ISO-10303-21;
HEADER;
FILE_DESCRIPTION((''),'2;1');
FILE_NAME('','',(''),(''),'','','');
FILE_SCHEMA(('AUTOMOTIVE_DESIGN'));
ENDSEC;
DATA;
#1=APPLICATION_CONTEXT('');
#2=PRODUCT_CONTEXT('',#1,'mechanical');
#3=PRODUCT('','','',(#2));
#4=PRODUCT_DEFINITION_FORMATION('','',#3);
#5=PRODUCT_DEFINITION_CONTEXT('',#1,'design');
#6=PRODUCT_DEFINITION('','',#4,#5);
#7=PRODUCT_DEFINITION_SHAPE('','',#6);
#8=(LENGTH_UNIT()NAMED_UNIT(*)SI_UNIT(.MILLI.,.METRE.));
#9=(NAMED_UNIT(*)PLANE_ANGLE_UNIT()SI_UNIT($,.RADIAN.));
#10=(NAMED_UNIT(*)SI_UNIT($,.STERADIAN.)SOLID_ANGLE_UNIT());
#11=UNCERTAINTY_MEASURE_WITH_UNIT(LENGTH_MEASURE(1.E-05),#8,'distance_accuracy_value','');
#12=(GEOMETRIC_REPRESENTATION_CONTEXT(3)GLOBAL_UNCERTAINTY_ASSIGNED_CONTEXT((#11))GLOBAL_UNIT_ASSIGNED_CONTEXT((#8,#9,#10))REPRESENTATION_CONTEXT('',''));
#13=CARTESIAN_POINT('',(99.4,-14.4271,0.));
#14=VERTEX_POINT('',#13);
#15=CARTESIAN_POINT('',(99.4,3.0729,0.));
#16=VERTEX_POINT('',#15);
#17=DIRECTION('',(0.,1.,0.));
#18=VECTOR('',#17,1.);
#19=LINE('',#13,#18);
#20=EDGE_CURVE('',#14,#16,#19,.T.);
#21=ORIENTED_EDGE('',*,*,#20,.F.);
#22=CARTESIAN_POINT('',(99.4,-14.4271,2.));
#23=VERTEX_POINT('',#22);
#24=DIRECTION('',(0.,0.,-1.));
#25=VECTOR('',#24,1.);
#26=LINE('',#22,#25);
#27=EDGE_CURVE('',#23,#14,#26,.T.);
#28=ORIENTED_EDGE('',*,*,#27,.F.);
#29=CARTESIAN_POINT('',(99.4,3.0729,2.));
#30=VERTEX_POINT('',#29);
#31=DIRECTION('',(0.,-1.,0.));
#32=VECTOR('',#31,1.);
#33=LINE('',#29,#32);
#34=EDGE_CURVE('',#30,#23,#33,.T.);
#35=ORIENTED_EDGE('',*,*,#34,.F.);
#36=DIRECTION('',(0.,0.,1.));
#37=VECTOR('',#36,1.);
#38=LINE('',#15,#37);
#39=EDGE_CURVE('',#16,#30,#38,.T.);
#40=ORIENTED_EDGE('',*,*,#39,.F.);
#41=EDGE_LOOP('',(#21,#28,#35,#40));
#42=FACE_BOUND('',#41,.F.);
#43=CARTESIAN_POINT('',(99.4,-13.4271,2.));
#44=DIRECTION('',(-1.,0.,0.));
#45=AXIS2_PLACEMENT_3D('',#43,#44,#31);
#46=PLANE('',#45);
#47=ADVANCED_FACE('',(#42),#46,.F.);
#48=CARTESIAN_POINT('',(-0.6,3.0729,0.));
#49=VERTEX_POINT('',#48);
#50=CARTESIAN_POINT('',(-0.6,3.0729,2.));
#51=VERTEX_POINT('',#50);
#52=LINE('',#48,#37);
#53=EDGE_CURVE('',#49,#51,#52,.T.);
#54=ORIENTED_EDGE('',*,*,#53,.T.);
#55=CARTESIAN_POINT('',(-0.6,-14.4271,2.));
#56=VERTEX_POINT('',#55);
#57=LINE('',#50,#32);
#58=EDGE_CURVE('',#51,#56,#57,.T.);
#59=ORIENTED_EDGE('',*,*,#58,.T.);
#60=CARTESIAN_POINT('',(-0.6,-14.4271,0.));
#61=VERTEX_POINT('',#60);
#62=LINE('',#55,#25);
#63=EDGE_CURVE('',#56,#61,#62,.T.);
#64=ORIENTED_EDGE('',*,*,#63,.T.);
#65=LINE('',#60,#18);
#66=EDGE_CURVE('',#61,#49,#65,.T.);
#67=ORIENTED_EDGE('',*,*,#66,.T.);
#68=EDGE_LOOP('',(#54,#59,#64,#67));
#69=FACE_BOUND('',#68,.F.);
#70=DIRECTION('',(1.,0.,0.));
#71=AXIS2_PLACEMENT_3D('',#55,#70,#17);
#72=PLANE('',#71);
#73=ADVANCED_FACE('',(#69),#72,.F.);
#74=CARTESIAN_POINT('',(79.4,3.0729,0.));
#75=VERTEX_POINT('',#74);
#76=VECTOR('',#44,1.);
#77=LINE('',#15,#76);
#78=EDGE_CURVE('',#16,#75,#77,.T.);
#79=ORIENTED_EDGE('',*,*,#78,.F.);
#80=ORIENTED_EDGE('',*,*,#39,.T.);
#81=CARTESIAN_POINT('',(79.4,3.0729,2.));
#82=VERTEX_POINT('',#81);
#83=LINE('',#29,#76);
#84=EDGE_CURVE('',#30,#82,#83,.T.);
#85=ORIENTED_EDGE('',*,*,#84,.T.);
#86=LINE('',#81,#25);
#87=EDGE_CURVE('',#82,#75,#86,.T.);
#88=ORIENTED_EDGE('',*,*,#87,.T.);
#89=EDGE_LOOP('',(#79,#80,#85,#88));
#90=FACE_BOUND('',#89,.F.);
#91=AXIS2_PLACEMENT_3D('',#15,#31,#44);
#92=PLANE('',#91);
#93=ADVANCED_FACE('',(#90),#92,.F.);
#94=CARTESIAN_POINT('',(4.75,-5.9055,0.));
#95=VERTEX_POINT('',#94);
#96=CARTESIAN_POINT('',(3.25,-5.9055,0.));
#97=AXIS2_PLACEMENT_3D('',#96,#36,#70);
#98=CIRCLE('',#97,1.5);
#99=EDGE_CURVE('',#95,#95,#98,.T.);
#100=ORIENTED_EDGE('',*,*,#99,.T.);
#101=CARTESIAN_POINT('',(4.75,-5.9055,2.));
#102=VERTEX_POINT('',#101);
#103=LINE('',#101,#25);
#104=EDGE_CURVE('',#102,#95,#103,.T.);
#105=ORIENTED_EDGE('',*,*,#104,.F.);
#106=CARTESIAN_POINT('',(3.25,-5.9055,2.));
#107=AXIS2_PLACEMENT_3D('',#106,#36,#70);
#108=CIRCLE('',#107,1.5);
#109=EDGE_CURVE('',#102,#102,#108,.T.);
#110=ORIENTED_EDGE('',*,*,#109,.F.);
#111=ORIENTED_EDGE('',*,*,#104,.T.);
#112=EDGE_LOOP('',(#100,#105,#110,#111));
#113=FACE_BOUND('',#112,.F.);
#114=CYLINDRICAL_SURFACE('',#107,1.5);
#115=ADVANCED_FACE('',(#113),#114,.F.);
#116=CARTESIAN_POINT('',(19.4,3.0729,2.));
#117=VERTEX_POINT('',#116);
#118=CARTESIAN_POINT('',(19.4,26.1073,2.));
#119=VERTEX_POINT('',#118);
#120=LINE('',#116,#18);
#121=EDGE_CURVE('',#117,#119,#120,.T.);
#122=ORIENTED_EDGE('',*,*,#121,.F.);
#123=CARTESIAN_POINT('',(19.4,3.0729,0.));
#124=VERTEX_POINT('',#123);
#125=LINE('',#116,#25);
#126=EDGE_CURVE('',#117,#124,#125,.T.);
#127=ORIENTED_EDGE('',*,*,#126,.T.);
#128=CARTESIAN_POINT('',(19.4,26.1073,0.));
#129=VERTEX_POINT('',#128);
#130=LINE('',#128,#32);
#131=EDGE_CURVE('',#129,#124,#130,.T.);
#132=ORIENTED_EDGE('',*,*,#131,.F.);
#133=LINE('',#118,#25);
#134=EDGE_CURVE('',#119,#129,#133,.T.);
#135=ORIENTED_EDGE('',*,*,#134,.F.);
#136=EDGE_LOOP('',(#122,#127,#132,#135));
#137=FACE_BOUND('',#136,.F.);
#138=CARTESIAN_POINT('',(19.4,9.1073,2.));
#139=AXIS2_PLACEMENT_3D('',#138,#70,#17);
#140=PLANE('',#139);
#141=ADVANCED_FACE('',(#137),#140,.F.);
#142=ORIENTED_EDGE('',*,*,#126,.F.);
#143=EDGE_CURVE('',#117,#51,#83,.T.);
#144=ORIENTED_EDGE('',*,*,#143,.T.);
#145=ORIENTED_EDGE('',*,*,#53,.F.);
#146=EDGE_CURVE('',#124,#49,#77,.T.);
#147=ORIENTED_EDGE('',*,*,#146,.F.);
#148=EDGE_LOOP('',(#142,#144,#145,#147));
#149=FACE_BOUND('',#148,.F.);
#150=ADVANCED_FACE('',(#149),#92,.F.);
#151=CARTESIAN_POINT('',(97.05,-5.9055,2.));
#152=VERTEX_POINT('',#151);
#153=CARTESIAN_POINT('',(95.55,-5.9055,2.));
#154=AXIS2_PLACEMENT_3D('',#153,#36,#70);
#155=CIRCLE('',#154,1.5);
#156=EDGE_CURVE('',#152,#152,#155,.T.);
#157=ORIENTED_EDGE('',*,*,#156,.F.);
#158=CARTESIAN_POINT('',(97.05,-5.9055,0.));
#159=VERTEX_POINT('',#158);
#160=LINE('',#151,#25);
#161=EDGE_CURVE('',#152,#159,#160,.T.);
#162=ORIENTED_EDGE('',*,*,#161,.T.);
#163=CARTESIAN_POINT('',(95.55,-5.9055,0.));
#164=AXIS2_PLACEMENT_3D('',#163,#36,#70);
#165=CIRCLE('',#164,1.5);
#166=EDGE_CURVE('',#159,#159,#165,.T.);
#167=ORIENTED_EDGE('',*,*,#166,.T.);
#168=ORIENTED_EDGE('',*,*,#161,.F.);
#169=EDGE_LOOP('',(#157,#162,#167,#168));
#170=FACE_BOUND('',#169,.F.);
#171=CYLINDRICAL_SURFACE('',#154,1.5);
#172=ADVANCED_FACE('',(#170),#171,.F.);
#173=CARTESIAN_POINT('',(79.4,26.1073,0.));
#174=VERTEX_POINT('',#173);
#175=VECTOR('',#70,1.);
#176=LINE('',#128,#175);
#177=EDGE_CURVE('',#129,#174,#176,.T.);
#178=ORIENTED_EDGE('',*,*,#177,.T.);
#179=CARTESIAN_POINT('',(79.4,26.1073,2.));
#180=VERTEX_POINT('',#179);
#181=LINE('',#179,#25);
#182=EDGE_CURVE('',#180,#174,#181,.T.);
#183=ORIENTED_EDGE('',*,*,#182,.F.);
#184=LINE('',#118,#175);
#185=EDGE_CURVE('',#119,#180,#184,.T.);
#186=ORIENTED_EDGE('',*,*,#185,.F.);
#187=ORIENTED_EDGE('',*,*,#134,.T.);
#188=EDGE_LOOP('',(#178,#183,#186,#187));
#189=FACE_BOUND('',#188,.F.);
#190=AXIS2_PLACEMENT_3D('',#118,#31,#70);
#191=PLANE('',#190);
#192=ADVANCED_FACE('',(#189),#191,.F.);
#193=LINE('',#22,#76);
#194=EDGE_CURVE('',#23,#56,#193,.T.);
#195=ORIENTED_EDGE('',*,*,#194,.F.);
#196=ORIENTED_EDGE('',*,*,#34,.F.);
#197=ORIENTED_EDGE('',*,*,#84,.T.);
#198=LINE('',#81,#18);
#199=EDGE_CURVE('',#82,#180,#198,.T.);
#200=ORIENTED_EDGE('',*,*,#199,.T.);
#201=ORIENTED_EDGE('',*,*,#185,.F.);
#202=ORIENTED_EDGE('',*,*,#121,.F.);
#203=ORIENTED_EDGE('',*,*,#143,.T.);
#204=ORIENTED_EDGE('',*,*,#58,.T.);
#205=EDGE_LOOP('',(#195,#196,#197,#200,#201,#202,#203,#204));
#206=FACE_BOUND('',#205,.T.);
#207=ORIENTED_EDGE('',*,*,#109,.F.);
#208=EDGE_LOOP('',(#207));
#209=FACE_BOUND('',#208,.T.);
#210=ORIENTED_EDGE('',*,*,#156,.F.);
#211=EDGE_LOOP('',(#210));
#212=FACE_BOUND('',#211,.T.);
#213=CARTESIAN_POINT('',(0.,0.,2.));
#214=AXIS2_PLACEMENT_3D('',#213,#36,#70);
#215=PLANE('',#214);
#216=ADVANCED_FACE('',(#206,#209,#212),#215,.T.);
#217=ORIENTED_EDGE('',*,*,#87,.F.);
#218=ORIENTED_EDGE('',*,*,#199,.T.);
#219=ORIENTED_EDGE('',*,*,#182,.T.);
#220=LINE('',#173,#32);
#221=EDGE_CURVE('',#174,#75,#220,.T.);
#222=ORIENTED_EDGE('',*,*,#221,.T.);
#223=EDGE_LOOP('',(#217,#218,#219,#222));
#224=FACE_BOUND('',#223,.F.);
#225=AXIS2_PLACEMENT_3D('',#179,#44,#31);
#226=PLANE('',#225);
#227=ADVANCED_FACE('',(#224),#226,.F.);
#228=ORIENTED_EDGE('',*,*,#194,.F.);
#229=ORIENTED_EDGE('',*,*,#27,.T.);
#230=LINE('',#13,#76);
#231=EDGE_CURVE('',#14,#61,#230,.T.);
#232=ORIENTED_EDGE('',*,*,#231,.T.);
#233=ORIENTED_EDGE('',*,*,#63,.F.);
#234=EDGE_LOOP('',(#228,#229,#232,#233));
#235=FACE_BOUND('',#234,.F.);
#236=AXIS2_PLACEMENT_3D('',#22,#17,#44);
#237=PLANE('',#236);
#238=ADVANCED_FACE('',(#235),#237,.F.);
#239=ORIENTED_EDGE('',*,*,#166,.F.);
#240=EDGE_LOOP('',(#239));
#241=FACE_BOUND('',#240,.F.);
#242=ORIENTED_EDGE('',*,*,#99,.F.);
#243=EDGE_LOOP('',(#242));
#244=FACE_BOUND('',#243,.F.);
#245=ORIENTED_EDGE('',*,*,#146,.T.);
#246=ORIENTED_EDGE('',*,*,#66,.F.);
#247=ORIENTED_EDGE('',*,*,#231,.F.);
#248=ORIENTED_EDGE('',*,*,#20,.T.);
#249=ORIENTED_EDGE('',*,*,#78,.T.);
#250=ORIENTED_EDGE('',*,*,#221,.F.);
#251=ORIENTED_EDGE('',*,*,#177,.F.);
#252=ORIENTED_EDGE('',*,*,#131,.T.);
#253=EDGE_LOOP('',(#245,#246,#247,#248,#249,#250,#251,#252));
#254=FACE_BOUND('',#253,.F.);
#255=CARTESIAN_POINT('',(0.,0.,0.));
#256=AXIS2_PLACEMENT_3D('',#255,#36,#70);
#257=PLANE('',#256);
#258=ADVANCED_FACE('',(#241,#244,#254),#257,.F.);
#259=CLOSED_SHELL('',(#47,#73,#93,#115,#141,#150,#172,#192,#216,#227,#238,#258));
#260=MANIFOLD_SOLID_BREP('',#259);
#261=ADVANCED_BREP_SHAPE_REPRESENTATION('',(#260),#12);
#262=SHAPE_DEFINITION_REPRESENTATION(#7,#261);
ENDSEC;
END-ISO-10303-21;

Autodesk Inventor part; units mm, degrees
ref_plane "YZ Plane" through (0, 0, 0) normal (1, 0, 0) x (0, 1, 0)
ref_plane "XZ Plane" through (0, 0, 0) normal (0, 1, 0) x (-1, 0, 0)
ref_plane "XY Plane" through (0, 0, 0) normal (0, 0, 1) x (1, 0, 0)
sketch "Szkic1" plane through (0, 0, 0) normal (0, 0, 1) x (1, 0, 0)
  line L0 (2.6774, 0.115) -> (-0.6, 0.115) projected
  spline S0 degree 3 poles (3.0833, -0.1968) (3.1541, -0.2257) (3.223, -0.256) (3.5835, -0.4251) (3.888, -0.6087) (4.4504, -1.0382) (4.7087, -1.2836) (5.1613, -1.7912) (5.3932, -2.1042) (5.7913, -2.77) (5.9577, -3.1227) (6.2121, -3.7972) (6.3223, -4.1828) (6.4663, -4.968) (6.5, -5.3675) (6.5, -5.7331) knots -1.428143 -1.428143 -1.428143 -1.428143 -1.406087 -1.406087 -1.308684 -1.308684 -1.211282 -1.211282 -1.104676 -1.104676 -0.99807 -0.99807 -0.888411 -0.888411 -0.778752 -0.778752 -0.778752 -0.778752 projected
  line L1 (6.5, -5.7331) -> (6.5, -13.1255) projected
  circle A0 centre (3.25, -5.9055) radius 1.5 projected
  line L2 (-0.6, 0) -> (-0.6, -13.1255) projected
  line L3 (-0.6, -13.4271) -> (99.4, -13.4271) projected
  line L4 (-0.6, -14.1019) -> (-0.6, -13.1255) projected
  line L5 (6.5, -14.1019) -> (6.5, -13.1255) projected
  line L6 (-0.6, -13.4271) -> (-0.6, -28.9827) projected
  line L7 (-0.6, -13.4271) -> (-0.6, -28.9827) projected
  line L8 (-0.6, -13.4271) -> (99.4, -13.4271)
  line L9 (99.4, -13.4271) -> (99.4, 3.0729)
  line L10 (99.4, 3.0729) -> (-0.6, 3.0729)
  line L11 (-0.6, 3.0729) -> (-0.6, -13.4271)
  point P0 (0, 0)
  dimension "d0" = 16.5
extrude "Wyciągnięcie proste1" add sketch "Szkic1" along normal blind 2 contours A0 | L11 L10 L9 L3 L4 L2
sketch "Szkic2" plane through (0, 0, 2) normal (0, 0, 1) x (1, 0, 0)
  line L0 (79.4, 9.1073) -> (19.4, 9.1073) projected
  line L1 (99.4, 3.0729) -> (-0.6, 3.0729) projected
  line L2 (79.4, 9.1073) -> (19.4, 9.1073)
  line L3 (19.4, 9.1073) -> (19.4, 3.0729)
  line L4 (19.4, 3.0729) -> (79.4, 3.0729)
  line L5 (79.4, 3.0729) -> (79.4, 9.1073)
  point P0 (0, 0)
extrude "Wyciągnięcie proste2" add sketch "Szkic2" against normal up to surface (2 mm away)
sketch "Szkic3" plane through (0, 0, 2) normal (0, 0, 1) x (1, 0, 0)
  line L0 (99.4, -13.4271) -> (99.4, 3.0729) projected
  line L1 (99.4, 3.0729) -> (79.4, 3.0729) projected
  line L2 (79.4, 3.0729) -> (79.4, 9.1073) projected
  line L3 (79.4, 9.1073) -> (19.4, 9.1073) projected
  line L4 (19.4, 9.1073) -> (19.4, 3.0729) projected
  line L5 (19.4, 3.0729) -> (-0.6, 3.0729) projected
  line L6 (-0.6, 3.0729) -> (-0.6, -13.4271) projected
  line L7 (-0.6, -13.4271) -> (99.4, -13.4271) projected
  line L8 (79.4, 9.1073) -> (19.4, 9.1073)
  line L9 (19.4, 9.1073) -> (19.4, 26.1073)
  line L10 (19.4, 26.1073) -> (79.4, 26.1073)
  line L11 (79.4, 26.1073) -> (79.4, 9.1073)
  point P0 (0, 0)
  dimension "d5" = 17
extrude "Wyciągnięcie proste3" add sketch "Szkic3" against normal blind 2 contours L3 L9 L10 L11
sketch "Szkic4" plane through (0, 0, 2) normal (0, 0, 1) x (1, 0, 0)
  circle A0 centre (3.25, -5.9055) radius 1.5 projected
  line L0 (79.4, 26.1073) -> (19.4, 26.1073) projected
  line L1 (19.4, 26.1073) -> (79.4, 26.1073) projected
  line L2 (49.4, 26.1073) -> (49.4, -13.4271)
  line L3 (-0.6, -13.4271) -> (99.4, -13.4271) projected
  circle A1 centre (95.55, -5.9055) radius 1.5
  point P0 (0, 0)
extrude "Wyciągnięcie proste4" cut sketch "Szkic4" against normal through all
sketch "Szkic5" plane through (0, 0, 2) normal (0, 0, 1) x (1, 0, 0)
  line L0 (-0.6, -13.4271) -> (99.4, -13.4271) projected
  line L1 (-0.6, 3.0729) -> (-0.6, -13.4271) projected
  line L2 (-0.6, -13.4271) -> (99.4, -13.4271)
  line L3 (99.4, -13.4271) -> (99.4, -14.4271)
  line L4 (99.4, -14.4271) -> (-0.6, -14.4271)
  line L5 (-0.6, -14.4271) -> (-0.6, -13.4271)
  point P0 (0, 0)
  dimension "d10" = 1
extrude "Wyciągnięcie proste5" add sketch "Szkic5" against normal up to surface (2 mm away)
properties part number "tylna"
